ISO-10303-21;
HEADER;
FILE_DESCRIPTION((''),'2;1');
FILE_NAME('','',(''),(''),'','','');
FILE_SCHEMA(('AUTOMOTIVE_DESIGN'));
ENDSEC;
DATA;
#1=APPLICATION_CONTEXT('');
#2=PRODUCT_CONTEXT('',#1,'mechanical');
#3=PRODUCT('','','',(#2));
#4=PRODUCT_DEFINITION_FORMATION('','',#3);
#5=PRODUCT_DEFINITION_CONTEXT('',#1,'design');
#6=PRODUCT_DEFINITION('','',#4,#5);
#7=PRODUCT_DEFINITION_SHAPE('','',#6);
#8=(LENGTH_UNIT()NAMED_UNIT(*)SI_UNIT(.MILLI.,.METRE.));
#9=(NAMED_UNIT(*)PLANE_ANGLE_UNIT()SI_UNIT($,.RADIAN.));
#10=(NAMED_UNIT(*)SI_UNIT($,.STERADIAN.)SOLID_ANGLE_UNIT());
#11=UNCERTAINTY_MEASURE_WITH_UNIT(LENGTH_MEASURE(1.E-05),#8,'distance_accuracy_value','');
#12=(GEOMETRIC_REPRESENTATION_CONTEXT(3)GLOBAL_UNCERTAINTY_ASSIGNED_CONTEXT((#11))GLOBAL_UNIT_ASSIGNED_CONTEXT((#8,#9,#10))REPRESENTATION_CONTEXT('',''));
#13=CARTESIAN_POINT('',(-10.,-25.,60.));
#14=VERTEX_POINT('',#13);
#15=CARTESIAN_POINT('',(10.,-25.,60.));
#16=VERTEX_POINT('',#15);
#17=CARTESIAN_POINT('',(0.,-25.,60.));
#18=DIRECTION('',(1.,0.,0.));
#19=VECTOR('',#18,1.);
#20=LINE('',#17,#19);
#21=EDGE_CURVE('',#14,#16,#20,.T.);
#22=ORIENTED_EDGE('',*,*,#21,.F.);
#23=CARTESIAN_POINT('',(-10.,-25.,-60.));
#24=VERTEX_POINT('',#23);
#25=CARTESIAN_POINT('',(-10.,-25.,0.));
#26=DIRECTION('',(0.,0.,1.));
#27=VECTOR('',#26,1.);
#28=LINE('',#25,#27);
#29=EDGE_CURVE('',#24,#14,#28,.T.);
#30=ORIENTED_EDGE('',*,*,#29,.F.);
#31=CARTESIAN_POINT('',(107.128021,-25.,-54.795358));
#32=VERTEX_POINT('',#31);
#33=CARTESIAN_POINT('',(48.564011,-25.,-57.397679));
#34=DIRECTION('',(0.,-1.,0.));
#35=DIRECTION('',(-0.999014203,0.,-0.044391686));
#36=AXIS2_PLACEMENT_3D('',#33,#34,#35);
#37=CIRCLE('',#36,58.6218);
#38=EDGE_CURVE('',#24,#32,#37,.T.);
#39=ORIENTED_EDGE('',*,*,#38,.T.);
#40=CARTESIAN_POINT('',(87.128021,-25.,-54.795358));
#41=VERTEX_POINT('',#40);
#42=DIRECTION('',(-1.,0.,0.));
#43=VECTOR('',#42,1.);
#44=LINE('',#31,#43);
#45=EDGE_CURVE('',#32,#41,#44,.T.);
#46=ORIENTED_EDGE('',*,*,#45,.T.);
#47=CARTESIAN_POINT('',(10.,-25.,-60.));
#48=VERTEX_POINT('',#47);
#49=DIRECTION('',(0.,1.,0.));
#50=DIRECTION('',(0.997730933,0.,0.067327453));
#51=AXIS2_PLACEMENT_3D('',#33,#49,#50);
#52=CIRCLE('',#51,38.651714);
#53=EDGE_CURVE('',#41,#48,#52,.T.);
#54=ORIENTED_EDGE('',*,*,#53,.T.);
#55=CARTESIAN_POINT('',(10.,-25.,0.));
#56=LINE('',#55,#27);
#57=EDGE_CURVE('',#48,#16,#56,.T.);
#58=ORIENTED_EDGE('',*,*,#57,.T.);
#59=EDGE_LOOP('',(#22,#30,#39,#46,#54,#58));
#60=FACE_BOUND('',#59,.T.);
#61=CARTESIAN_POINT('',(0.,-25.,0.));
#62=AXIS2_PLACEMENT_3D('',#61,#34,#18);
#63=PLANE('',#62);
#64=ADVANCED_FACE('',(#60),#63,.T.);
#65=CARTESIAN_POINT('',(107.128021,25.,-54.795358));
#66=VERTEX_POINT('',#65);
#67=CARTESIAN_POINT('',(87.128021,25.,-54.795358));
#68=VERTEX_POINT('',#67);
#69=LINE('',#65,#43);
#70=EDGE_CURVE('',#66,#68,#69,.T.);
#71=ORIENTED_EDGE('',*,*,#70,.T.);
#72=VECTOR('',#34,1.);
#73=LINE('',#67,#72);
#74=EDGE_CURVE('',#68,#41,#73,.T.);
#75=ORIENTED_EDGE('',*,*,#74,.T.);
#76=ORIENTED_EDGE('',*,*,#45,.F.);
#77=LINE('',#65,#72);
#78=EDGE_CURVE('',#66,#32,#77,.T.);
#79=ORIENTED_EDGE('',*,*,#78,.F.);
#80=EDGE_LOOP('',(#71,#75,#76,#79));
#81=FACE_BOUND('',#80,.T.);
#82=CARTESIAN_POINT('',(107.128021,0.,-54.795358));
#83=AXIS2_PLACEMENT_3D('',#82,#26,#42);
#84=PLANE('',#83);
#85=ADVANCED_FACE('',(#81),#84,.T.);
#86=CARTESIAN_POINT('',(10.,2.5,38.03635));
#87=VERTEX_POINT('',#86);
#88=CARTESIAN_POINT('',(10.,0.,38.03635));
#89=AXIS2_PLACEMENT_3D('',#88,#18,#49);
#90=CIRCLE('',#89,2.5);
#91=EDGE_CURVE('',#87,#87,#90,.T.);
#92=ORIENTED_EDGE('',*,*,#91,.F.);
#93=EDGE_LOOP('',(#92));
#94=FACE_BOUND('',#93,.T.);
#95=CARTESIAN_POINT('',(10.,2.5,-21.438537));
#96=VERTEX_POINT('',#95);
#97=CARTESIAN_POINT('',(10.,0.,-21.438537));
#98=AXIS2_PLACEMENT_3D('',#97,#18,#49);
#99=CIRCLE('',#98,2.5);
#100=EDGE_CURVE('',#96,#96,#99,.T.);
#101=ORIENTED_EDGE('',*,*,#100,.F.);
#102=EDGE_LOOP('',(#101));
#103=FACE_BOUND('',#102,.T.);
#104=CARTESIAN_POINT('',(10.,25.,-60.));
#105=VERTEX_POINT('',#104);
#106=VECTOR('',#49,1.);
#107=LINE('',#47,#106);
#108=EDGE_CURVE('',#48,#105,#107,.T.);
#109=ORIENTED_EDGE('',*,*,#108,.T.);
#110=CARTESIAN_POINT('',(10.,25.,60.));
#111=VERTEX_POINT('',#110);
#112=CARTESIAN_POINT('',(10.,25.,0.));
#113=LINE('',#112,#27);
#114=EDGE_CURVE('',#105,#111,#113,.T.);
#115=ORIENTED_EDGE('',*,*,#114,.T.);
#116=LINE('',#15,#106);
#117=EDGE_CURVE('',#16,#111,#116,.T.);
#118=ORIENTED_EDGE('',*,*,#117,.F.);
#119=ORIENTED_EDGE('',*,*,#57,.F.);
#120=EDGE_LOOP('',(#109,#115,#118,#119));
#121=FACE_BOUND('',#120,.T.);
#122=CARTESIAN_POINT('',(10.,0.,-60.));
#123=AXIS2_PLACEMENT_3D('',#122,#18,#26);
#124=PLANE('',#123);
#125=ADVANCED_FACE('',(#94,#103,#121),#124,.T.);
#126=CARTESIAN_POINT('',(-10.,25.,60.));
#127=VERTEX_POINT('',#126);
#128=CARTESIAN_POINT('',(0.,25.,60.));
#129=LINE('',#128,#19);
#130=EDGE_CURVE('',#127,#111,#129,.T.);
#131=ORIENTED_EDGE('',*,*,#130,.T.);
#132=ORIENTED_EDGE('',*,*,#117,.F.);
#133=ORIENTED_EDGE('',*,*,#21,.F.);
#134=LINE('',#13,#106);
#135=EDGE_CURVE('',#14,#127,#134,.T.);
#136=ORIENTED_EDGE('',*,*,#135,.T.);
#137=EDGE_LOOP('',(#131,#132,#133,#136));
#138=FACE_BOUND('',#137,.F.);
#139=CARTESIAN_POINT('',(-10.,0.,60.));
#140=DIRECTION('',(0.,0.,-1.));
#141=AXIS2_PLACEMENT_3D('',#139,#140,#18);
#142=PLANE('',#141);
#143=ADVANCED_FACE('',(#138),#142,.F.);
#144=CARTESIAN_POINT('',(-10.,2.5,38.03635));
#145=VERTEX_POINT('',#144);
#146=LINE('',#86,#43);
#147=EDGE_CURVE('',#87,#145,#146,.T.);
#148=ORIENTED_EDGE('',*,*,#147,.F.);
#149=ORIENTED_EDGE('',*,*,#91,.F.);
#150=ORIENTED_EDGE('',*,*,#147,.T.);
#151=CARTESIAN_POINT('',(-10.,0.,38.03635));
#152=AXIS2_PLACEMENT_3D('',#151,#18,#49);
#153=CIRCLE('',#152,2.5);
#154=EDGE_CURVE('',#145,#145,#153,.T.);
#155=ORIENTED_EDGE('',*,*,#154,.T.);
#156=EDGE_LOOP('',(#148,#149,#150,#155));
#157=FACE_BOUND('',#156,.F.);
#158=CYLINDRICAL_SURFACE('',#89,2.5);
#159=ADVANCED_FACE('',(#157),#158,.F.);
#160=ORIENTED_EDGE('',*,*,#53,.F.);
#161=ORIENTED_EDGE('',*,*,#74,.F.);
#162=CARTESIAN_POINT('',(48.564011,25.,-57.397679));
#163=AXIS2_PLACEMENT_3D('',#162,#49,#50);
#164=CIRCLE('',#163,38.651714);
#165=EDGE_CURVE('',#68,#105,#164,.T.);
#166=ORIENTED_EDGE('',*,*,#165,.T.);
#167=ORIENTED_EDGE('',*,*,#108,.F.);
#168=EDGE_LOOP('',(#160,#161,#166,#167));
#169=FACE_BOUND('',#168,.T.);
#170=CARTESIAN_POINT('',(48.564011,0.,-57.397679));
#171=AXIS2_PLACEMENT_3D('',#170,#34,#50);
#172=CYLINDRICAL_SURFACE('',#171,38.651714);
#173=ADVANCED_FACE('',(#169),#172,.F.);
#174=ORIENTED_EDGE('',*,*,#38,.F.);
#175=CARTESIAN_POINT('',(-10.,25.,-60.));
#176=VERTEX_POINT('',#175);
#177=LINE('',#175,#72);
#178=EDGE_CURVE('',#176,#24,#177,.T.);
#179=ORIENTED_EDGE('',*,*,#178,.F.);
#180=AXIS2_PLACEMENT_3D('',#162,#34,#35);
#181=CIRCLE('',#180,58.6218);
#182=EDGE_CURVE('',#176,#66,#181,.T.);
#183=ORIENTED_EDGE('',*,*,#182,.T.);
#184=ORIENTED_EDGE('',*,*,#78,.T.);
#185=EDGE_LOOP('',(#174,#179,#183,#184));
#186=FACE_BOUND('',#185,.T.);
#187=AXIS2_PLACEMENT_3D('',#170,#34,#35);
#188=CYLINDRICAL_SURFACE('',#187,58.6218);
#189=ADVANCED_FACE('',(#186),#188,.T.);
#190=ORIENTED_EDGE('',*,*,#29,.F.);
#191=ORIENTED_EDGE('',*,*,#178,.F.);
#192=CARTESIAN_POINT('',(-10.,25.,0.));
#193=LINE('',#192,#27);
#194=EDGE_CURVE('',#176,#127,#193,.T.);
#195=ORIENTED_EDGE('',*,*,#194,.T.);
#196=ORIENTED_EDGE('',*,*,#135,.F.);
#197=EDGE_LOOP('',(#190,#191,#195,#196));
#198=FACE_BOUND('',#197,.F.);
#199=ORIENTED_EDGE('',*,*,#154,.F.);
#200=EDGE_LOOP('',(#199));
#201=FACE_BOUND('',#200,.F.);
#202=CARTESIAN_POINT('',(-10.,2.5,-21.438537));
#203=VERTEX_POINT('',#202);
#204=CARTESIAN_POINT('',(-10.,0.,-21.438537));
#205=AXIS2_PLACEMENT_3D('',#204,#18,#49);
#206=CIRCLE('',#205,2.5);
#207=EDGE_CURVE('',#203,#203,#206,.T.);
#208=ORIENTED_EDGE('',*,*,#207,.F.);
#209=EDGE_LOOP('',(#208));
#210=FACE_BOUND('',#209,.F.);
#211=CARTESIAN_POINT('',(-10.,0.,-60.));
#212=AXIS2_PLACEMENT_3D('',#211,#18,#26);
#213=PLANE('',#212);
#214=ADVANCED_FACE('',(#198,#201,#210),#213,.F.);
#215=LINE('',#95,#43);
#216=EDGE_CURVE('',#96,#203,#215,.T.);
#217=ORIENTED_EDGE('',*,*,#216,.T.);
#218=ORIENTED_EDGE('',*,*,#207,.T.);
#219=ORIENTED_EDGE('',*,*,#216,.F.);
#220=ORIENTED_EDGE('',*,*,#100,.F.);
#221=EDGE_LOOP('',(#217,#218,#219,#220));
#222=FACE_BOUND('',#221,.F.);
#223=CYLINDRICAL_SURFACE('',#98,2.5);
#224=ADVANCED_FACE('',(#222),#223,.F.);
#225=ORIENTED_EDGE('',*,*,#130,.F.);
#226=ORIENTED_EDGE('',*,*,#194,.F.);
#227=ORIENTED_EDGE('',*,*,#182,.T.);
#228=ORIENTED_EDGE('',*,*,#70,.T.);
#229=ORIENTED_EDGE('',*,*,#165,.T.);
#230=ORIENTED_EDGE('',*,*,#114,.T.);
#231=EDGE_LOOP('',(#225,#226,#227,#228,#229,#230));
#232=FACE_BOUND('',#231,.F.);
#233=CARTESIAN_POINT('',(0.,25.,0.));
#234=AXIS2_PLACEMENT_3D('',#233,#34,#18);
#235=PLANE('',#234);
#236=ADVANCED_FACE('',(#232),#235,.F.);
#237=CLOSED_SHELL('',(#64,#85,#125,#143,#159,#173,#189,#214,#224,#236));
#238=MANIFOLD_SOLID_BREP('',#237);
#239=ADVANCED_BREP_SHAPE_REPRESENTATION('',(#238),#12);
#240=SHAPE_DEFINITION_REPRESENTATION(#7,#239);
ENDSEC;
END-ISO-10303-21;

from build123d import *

# Parameters (mm, degrees)
F0_W     = 20
F0_H     = 120
F1_DEPTH = 25
F2_R     = 2.5
F3_DEPTH = 20.001


with BuildPart() as f1:
    # F0 (on Front) → F1 (new body, symmetric)
    with BuildSketch(Plane.XZ):
        Rectangle(F0_W, F0_H)
        with BuildLine():
            ThreePointArc((87.128021, -54.795358), (51.166331, -95.96169), (10, -60))
            Line((10, -60), (-10, -60))
            ThreePointArc((-10, -60), (51.166331, -115.96169), (107.128021, -54.795358))
            Line((107.128021, -54.795358), (87.128021, -54.795358))
        make_face()
    extrude(amount=F1_DEPTH, both=True)

    # F2 (on face) → F3 (cut, through all)
    with BuildSketch(Plane.YZ.offset(10)):
        with Locations((0, -21.438537)):
            Circle(F2_R)
        with Locations((0, 38.03635)):
            Circle(F2_R)
    extrude(amount=-F3_DEPTH, mode=Mode.SUBTRACT)


solid = f1.part
